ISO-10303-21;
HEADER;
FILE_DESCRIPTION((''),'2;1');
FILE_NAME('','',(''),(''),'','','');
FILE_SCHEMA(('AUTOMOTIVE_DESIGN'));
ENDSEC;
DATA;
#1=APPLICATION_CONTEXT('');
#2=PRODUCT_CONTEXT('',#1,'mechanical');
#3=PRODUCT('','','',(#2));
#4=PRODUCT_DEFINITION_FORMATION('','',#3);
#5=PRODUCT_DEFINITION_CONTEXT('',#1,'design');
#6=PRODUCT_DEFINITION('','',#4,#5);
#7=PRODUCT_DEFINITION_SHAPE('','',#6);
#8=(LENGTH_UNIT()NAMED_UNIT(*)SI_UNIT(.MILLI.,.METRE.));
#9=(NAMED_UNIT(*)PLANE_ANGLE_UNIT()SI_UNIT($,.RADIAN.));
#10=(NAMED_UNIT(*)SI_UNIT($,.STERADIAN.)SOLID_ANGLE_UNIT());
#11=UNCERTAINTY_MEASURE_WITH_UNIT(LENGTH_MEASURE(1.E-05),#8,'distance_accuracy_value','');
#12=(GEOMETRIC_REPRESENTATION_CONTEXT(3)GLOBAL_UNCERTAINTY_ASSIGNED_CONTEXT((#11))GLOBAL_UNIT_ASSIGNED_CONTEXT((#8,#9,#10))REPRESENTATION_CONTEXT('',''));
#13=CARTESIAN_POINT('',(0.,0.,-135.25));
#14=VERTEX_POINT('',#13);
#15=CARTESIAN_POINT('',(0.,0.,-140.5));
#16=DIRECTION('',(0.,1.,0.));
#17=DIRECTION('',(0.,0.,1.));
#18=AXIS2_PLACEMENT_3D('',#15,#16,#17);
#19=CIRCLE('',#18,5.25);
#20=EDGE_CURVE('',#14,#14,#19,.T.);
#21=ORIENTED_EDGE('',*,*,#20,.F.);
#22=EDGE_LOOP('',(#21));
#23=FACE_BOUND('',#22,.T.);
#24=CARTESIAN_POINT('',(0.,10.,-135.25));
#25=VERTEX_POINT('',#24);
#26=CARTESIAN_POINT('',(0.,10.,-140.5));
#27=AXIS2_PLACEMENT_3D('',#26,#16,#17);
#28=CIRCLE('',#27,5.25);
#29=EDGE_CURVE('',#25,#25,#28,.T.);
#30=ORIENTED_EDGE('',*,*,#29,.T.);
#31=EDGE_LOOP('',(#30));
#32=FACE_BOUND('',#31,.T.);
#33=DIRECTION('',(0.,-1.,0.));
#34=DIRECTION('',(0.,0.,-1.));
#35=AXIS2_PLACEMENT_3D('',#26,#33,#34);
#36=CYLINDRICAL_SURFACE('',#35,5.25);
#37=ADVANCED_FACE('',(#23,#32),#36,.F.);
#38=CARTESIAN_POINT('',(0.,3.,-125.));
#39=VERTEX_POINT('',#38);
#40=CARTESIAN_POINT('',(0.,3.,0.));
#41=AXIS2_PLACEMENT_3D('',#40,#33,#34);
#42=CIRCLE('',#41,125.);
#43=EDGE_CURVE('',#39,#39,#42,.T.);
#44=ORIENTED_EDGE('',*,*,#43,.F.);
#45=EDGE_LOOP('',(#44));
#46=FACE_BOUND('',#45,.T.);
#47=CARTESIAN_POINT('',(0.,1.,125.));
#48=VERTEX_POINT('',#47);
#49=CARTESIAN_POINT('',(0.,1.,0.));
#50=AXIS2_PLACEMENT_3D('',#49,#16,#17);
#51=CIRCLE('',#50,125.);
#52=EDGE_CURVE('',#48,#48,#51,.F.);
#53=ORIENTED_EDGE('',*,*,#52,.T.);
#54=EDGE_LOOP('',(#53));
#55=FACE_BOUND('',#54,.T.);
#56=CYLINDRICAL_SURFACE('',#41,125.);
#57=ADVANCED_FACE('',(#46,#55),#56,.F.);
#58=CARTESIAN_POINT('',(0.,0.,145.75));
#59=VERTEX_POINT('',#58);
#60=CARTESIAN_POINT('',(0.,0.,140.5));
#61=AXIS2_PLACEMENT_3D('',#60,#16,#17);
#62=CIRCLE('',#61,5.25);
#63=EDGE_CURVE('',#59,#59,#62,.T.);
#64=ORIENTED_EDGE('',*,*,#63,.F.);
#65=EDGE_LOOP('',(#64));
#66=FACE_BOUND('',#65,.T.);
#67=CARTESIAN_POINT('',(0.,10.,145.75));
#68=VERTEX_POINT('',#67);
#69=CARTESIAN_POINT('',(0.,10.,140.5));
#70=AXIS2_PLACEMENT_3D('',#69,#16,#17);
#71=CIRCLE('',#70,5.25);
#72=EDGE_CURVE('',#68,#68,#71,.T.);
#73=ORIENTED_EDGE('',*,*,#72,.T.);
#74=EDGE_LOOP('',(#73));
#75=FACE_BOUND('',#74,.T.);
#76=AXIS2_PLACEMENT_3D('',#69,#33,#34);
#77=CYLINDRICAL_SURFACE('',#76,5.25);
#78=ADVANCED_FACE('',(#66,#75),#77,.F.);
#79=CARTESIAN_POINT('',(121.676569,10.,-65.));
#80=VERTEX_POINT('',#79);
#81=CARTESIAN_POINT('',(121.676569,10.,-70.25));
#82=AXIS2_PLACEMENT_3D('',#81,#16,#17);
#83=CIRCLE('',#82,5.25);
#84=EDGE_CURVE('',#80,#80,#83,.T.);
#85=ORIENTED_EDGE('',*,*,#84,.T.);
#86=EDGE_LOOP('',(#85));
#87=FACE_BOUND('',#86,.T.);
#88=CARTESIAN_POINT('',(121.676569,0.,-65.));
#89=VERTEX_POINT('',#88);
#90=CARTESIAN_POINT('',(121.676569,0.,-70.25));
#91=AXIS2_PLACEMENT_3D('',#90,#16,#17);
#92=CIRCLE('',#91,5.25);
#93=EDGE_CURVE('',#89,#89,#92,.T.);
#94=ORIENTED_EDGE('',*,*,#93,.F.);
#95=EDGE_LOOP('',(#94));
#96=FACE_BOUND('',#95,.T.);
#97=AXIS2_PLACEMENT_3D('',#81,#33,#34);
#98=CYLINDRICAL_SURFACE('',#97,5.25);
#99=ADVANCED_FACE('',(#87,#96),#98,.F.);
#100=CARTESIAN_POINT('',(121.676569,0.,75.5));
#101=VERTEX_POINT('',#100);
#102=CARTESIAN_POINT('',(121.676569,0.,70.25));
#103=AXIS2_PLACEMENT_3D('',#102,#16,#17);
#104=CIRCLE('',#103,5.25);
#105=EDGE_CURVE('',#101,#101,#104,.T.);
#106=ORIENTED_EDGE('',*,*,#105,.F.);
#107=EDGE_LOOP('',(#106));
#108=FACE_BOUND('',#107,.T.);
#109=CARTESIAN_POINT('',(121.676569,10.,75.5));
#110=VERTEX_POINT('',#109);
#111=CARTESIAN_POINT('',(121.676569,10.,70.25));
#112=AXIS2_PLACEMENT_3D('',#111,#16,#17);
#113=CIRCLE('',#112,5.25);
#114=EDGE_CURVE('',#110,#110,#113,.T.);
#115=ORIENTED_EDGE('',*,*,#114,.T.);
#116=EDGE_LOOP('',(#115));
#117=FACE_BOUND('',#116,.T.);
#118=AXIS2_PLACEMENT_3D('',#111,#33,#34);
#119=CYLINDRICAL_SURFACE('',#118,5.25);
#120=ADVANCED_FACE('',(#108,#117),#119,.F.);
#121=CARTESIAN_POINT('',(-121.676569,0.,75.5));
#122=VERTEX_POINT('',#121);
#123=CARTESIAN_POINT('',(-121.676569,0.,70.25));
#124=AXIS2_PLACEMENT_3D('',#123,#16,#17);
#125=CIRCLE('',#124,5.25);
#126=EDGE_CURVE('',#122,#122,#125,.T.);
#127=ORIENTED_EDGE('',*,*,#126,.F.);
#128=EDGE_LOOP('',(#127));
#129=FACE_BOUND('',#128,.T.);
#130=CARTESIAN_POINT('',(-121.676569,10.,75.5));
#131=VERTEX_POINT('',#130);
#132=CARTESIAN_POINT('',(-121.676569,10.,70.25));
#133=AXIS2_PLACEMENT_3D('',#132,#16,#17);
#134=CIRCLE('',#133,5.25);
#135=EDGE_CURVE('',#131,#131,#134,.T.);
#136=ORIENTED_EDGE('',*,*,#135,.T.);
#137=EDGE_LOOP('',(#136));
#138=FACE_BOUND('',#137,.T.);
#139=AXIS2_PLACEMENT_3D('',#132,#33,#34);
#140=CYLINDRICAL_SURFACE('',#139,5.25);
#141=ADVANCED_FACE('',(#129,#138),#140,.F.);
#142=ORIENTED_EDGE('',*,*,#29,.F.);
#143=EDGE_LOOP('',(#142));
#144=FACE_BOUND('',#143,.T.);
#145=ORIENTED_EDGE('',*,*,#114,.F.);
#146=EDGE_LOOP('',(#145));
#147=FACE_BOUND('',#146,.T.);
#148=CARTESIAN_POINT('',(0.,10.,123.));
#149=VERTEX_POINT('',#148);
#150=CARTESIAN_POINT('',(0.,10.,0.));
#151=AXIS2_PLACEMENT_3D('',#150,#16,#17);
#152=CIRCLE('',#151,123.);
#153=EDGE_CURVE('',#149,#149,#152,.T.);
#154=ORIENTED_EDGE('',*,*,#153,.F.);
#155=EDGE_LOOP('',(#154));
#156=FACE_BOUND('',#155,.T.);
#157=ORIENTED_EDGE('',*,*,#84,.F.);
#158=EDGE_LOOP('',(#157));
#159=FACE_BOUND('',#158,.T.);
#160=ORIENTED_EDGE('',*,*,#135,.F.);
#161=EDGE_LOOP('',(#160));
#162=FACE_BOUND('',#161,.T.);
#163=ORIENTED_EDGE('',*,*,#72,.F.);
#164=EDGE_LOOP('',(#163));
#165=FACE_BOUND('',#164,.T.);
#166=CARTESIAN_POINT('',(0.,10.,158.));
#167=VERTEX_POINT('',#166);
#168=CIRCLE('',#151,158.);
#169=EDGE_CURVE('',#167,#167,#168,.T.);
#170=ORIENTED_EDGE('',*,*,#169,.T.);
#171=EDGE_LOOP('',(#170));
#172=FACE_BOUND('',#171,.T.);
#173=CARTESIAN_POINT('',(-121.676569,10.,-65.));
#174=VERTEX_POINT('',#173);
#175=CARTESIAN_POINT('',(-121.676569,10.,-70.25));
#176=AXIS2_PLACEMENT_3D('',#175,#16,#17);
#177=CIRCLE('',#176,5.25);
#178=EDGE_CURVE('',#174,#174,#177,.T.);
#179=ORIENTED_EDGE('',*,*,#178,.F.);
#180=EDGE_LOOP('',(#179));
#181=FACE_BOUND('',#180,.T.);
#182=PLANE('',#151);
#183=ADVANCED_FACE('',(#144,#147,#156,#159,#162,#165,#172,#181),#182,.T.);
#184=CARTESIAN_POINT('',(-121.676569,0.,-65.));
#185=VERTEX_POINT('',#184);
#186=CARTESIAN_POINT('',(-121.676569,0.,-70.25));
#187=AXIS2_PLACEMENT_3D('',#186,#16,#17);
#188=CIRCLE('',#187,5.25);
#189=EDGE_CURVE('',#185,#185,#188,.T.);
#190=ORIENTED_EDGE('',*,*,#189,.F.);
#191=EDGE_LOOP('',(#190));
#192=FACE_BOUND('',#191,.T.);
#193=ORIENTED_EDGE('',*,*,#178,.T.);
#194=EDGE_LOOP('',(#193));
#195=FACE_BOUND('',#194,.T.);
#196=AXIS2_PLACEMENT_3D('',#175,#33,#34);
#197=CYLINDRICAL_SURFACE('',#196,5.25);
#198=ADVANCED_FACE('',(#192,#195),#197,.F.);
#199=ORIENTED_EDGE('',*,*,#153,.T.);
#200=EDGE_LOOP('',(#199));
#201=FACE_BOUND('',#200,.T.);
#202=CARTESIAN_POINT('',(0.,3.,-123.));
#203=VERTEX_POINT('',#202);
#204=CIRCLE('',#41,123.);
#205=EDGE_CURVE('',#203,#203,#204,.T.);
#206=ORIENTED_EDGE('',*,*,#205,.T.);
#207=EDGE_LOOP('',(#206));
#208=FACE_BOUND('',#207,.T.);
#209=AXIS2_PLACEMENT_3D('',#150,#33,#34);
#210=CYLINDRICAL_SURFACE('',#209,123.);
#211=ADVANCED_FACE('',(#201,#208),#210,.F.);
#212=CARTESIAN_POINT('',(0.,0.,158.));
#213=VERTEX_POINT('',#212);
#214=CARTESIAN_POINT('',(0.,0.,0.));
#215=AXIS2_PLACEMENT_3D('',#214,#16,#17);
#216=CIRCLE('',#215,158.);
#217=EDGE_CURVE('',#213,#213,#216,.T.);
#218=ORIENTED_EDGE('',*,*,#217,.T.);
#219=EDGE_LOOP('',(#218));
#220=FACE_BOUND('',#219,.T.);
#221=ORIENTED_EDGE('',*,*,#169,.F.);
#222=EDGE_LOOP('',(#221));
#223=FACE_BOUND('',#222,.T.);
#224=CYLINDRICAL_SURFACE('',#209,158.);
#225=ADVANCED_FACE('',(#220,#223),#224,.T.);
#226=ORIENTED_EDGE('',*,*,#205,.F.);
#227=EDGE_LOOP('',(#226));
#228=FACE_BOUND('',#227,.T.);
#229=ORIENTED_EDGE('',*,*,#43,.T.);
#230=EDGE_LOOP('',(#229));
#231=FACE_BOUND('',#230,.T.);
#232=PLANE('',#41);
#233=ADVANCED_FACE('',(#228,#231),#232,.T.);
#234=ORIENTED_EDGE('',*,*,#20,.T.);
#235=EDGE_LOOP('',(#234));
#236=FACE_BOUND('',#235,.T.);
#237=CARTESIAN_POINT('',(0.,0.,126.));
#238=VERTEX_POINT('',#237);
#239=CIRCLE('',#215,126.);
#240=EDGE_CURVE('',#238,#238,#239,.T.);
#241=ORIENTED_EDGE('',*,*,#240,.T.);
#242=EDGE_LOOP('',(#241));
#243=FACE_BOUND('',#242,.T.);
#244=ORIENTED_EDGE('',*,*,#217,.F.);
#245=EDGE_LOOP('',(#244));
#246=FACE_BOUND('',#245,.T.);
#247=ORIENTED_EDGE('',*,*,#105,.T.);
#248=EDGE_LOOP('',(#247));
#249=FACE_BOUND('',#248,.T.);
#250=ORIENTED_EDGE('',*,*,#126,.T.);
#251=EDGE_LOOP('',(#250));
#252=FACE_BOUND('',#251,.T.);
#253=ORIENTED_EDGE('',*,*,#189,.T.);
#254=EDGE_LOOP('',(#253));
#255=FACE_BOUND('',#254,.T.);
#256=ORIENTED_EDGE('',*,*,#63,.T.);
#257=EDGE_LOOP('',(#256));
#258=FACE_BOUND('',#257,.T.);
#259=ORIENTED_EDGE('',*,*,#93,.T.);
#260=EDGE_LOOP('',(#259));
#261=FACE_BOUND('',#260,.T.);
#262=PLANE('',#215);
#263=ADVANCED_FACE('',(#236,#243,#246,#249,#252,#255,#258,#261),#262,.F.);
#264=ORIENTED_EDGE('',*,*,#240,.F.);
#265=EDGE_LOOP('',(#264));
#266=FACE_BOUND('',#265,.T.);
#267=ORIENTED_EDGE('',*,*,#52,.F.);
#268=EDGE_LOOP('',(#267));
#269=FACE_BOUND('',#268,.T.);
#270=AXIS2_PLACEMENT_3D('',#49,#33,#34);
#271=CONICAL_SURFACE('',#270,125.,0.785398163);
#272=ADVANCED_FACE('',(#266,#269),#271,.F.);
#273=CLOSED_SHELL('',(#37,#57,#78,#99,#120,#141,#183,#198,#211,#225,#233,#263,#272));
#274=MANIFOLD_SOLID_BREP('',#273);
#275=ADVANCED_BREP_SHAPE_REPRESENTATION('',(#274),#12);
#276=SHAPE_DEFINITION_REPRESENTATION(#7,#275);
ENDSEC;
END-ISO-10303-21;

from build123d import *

# Parameters (mm, degrees)
SKETCH1_R           = 158
SKETCH1_R_2         = 123
SKETCH1_R_3         = 5.25
BOSS_EXTRUDE1_DEPTH = 10
SKETCH2_R           = 125
CUT_EXTRUDE1_DEPTH  = 3
CHAMFER1_SIZE       = 1


with BuildPart() as part:
    # Sketch1 → Boss-Extrude1 (new body)
    with BuildSketch(Plane(origin=(0, 0, 0), x_dir=(1, 0, 0), z_dir=(0, 1, 0))):
        Circle(SKETCH1_R)
        Circle(SKETCH1_R_2, mode=Mode.SUBTRACT)
        with Locations((0, 140.5)):
            Circle(SKETCH1_R_3, mode=Mode.SUBTRACT)
        with Locations((121.676569232, 70.25)):
            Circle(SKETCH1_R_3, mode=Mode.SUBTRACT)
        with Locations((121.676569232, -70.25)):
            Circle(SKETCH1_R_3, mode=Mode.SUBTRACT)
        with Locations((0, -140.5)):
            Circle(SKETCH1_R_3, mode=Mode.SUBTRACT)
        with Locations((-121.676569232, -70.25)):
            Circle(SKETCH1_R_3, mode=Mode.SUBTRACT)
        with Locations((-121.676569232, 70.25)):
            Circle(SKETCH1_R_3, mode=Mode.SUBTRACT)
    extrude(amount=BOSS_EXTRUDE1_DEPTH)

    # Sketch2 → Cut-Extrude1 (cut)
    with BuildSketch(Plane.XZ):
        Circle(SKETCH2_R)
    extrude(amount=-CUT_EXTRUDE1_DEPTH, mode=Mode.SUBTRACT)

    # Chamfer1
    chamfer1_edges = [part.edges().sort_by_distance(p)[0] for p in [
        (-125, 0, 0),
    ]]
    chamfer(chamfer1_edges, length=CHAMFER1_SIZE)


solid = part.part
